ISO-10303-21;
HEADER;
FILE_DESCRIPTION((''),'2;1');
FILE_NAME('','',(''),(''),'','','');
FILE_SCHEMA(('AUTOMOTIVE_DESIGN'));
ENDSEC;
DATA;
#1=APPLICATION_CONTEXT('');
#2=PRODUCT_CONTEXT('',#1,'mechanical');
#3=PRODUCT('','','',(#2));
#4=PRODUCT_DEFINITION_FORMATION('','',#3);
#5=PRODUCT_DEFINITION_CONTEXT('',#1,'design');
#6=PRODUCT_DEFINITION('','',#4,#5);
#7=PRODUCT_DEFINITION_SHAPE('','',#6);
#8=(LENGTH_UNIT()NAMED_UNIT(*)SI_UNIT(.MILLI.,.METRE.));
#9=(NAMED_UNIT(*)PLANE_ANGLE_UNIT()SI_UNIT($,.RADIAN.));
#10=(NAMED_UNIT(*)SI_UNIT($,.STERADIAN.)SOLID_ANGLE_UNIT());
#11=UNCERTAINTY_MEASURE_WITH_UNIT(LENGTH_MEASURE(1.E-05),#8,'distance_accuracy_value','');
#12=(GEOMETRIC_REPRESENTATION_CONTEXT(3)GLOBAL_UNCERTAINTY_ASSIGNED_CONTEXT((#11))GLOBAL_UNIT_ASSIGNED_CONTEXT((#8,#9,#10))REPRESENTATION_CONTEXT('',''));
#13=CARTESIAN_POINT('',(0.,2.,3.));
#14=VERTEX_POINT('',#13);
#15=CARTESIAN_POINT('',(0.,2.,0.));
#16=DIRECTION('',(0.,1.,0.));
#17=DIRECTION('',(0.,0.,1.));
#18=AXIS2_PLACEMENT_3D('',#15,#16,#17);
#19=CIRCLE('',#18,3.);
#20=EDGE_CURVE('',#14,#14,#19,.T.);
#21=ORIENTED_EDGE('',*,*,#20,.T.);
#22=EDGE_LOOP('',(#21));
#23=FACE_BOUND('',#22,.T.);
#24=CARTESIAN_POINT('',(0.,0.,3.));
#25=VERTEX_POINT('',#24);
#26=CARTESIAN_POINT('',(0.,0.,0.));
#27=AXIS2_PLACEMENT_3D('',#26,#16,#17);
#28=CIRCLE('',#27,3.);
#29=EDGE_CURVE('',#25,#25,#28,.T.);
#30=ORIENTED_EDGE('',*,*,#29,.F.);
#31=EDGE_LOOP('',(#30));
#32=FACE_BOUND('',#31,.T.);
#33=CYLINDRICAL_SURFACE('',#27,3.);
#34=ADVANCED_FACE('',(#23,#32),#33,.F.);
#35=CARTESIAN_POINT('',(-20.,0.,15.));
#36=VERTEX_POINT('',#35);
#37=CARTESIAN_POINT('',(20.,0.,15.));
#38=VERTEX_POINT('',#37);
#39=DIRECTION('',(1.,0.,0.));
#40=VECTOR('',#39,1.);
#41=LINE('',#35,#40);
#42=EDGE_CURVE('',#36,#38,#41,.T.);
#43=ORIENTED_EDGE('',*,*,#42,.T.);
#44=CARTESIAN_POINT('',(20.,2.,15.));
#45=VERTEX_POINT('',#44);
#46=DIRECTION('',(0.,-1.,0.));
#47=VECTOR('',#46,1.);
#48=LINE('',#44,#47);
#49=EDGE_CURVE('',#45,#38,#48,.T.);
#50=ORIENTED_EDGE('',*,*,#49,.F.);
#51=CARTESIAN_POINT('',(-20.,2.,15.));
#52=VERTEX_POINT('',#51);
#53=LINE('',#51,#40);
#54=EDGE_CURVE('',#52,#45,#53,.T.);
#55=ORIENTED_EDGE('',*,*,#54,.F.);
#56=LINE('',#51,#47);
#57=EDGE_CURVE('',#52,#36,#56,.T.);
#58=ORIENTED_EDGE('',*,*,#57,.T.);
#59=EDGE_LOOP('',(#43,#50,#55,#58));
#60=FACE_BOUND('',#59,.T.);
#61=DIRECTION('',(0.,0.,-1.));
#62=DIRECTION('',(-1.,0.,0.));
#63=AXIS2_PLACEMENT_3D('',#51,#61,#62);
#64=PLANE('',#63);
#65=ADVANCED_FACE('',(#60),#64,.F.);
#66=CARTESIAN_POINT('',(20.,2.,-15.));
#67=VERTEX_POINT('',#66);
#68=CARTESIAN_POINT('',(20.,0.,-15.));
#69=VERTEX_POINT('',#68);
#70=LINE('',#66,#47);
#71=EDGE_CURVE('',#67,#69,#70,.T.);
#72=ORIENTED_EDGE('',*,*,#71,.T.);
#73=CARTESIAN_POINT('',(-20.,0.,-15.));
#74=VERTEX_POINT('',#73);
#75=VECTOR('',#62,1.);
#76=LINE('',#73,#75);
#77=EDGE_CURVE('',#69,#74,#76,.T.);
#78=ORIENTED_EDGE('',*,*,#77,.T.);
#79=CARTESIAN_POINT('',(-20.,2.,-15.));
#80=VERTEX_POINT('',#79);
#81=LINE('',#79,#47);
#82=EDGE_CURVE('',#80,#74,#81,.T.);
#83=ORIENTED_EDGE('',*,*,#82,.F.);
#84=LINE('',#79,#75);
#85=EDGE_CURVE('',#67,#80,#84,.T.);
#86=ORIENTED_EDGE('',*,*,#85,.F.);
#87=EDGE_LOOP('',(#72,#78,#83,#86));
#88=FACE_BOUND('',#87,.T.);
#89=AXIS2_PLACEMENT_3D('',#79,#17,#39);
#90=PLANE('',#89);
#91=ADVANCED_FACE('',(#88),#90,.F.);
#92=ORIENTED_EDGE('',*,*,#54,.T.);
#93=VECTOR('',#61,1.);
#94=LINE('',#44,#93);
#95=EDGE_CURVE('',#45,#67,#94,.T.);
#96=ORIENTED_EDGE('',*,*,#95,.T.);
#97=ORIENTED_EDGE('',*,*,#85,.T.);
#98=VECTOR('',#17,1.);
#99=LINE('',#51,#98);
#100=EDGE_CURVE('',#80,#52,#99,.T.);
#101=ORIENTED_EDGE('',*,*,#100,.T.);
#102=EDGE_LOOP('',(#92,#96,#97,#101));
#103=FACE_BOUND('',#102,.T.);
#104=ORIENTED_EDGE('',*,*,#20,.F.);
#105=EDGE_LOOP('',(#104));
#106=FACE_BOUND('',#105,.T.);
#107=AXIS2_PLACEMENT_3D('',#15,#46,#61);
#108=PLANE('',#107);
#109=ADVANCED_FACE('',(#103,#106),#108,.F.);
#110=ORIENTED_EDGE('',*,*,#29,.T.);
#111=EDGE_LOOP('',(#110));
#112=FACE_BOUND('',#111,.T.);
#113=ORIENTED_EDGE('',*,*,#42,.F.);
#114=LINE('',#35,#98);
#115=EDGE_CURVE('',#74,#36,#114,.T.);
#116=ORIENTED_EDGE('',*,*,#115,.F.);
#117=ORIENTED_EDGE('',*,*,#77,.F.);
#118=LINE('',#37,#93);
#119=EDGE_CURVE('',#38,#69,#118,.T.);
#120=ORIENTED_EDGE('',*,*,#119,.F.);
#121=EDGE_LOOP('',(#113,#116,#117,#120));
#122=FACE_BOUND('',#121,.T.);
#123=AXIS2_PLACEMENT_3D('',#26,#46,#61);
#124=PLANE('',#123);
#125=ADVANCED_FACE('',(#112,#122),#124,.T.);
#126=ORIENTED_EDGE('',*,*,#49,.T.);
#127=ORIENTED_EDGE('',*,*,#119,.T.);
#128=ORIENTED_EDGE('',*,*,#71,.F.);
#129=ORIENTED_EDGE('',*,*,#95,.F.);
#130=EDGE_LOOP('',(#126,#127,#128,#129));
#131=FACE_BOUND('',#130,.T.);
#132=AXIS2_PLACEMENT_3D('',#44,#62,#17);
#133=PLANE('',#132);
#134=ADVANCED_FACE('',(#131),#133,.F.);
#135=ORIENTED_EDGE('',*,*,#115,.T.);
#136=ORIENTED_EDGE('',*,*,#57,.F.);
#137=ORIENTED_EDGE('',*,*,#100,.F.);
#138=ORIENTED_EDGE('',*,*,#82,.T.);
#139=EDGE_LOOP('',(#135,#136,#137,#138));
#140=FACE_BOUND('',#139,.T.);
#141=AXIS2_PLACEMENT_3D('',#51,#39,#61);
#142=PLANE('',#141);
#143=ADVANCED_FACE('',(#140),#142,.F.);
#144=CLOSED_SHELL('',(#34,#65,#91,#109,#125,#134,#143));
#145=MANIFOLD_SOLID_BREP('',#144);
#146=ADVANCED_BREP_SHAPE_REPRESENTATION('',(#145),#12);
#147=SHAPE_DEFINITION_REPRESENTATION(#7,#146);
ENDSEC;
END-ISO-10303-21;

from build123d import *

# Parameters (mm, degrees)
SKETCH1_W           = 40
SKETCH1_H           = 30
BOSS_EXTRUDE1_DEPTH = 2
SKETCH2_R           = 3
CUT_EXTRUDE1_DEPTH  = 2


with BuildPart() as part:
    # Sketch1 → Boss-Extrude1 (new body)
    with BuildSketch(Plane(origin=(0, 0, 0), x_dir=(1, 0, 0), z_dir=(0, 1, 0))):
        Rectangle(SKETCH1_W, SKETCH1_H)
    extrude(amount=BOSS_EXTRUDE1_DEPTH)

    # Sketch2 → Cut-Extrude1 (cut)
    with BuildSketch(Plane(origin=(0, 2, 0), x_dir=(1, 0, 0), z_dir=(0, 1, 0))):
        with Locations(Location((0, 0, 0), (0, 0, 270))):
            Circle(SKETCH2_R)
    extrude(amount=-CUT_EXTRUDE1_DEPTH, mode=Mode.SUBTRACT)


solid = part.part
